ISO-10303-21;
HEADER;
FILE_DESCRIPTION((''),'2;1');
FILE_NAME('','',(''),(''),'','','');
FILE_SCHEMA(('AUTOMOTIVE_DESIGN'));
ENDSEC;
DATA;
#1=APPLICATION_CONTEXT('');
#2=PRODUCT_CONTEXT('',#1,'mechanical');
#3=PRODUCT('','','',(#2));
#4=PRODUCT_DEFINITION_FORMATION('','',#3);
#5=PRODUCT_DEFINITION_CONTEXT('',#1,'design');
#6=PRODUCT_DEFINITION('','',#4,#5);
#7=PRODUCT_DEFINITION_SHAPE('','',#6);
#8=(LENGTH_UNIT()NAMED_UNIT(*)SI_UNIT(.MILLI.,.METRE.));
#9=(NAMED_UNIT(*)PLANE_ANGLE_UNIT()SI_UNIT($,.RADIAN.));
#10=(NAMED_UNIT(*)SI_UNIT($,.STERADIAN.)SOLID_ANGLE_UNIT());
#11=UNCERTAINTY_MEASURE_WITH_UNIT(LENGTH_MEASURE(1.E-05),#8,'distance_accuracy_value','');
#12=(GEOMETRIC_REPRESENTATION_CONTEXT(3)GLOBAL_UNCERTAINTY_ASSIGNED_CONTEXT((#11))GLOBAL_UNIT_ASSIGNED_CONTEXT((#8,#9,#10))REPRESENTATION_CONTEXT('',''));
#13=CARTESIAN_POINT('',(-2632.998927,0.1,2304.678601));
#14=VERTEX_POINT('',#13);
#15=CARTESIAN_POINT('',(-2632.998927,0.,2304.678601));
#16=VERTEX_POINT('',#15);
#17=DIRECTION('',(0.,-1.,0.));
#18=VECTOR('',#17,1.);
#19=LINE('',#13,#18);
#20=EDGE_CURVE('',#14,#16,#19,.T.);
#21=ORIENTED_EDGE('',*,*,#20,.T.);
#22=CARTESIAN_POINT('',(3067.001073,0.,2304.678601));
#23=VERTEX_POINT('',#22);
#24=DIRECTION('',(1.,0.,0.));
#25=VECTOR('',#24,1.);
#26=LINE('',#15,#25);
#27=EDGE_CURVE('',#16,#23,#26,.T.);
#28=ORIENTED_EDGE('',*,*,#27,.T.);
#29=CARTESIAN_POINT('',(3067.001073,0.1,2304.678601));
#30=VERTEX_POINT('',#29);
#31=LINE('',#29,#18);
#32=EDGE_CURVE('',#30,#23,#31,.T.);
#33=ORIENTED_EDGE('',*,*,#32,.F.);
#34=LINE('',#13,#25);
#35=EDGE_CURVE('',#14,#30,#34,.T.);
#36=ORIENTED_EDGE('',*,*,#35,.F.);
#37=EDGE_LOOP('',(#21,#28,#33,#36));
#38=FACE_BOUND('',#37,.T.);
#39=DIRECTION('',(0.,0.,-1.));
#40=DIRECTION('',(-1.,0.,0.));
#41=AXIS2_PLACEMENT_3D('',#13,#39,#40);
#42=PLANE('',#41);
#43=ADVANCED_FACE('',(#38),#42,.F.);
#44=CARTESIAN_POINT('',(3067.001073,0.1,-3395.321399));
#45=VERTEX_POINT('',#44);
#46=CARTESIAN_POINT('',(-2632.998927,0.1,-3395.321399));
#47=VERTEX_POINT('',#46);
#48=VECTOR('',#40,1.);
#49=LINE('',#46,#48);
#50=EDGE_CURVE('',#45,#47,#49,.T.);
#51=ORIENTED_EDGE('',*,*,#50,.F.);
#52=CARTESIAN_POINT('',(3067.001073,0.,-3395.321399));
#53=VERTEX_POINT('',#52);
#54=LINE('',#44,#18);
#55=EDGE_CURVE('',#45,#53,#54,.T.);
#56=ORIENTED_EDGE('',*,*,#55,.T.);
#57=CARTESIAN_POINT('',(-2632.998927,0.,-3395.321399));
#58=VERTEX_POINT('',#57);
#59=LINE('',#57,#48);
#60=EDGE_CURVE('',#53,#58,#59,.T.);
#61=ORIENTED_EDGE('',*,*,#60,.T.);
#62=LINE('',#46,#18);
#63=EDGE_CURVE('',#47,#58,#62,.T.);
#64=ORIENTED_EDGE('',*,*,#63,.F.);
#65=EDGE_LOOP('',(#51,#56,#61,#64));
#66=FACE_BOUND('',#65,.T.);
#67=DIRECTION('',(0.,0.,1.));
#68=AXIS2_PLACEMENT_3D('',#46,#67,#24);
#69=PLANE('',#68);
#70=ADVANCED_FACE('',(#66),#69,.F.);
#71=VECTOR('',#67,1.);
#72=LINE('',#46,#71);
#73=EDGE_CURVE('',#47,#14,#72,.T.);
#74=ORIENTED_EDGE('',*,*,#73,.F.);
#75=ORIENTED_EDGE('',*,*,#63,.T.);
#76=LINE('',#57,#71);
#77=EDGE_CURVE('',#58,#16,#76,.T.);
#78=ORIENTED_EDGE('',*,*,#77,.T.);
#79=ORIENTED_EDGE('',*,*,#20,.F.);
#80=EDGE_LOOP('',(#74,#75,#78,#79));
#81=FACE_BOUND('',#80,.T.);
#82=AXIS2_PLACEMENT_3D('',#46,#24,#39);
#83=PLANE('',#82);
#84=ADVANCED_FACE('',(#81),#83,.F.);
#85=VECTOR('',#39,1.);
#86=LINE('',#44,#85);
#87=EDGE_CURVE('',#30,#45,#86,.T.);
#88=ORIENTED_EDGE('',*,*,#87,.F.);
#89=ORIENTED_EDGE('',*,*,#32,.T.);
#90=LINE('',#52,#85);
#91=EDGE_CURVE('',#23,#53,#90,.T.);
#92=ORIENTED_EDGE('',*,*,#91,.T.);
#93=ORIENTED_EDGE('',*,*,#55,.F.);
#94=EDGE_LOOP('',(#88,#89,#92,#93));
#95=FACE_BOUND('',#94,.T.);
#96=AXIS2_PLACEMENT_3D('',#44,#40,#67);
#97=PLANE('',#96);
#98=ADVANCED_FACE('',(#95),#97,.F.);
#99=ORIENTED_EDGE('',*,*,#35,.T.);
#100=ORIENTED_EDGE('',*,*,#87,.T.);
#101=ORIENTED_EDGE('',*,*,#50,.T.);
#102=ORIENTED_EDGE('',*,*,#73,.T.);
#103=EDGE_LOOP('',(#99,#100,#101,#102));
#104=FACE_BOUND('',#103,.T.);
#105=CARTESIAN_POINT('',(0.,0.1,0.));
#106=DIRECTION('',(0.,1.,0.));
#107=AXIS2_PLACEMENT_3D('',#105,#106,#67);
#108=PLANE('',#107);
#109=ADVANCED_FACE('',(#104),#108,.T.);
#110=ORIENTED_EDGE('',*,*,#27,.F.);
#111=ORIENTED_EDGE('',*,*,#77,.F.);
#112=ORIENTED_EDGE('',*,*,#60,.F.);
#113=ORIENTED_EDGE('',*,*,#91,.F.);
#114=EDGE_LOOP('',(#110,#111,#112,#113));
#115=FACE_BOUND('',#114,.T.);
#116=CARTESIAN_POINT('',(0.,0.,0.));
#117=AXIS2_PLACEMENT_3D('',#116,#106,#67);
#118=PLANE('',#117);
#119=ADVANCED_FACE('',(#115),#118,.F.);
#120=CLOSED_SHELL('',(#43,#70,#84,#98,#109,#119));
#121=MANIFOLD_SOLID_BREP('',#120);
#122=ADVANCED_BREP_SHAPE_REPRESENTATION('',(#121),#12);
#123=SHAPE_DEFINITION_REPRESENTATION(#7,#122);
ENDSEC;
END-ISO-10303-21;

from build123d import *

# Parameters (mm, degrees)
ESBO_O1_W                = 5700
ESBO_O1_H                = 5700
RESSALTO_EXTRUS_O1_DEPTH = 0.1


with BuildPart() as part:
    # Esboço1 → Ressalto-extrusão1 (new body)
    with BuildSketch(Plane(origin=(0, 0, 0), x_dir=(1, 0, 0), z_dir=(0, 1, 0))):
        with Locations((217.001072909, 545.321398838)):
            Rectangle(ESBO_O1_W, ESBO_O1_H)
    extrude(amount=RESSALTO_EXTRUS_O1_DEPTH)


solid = part.part
